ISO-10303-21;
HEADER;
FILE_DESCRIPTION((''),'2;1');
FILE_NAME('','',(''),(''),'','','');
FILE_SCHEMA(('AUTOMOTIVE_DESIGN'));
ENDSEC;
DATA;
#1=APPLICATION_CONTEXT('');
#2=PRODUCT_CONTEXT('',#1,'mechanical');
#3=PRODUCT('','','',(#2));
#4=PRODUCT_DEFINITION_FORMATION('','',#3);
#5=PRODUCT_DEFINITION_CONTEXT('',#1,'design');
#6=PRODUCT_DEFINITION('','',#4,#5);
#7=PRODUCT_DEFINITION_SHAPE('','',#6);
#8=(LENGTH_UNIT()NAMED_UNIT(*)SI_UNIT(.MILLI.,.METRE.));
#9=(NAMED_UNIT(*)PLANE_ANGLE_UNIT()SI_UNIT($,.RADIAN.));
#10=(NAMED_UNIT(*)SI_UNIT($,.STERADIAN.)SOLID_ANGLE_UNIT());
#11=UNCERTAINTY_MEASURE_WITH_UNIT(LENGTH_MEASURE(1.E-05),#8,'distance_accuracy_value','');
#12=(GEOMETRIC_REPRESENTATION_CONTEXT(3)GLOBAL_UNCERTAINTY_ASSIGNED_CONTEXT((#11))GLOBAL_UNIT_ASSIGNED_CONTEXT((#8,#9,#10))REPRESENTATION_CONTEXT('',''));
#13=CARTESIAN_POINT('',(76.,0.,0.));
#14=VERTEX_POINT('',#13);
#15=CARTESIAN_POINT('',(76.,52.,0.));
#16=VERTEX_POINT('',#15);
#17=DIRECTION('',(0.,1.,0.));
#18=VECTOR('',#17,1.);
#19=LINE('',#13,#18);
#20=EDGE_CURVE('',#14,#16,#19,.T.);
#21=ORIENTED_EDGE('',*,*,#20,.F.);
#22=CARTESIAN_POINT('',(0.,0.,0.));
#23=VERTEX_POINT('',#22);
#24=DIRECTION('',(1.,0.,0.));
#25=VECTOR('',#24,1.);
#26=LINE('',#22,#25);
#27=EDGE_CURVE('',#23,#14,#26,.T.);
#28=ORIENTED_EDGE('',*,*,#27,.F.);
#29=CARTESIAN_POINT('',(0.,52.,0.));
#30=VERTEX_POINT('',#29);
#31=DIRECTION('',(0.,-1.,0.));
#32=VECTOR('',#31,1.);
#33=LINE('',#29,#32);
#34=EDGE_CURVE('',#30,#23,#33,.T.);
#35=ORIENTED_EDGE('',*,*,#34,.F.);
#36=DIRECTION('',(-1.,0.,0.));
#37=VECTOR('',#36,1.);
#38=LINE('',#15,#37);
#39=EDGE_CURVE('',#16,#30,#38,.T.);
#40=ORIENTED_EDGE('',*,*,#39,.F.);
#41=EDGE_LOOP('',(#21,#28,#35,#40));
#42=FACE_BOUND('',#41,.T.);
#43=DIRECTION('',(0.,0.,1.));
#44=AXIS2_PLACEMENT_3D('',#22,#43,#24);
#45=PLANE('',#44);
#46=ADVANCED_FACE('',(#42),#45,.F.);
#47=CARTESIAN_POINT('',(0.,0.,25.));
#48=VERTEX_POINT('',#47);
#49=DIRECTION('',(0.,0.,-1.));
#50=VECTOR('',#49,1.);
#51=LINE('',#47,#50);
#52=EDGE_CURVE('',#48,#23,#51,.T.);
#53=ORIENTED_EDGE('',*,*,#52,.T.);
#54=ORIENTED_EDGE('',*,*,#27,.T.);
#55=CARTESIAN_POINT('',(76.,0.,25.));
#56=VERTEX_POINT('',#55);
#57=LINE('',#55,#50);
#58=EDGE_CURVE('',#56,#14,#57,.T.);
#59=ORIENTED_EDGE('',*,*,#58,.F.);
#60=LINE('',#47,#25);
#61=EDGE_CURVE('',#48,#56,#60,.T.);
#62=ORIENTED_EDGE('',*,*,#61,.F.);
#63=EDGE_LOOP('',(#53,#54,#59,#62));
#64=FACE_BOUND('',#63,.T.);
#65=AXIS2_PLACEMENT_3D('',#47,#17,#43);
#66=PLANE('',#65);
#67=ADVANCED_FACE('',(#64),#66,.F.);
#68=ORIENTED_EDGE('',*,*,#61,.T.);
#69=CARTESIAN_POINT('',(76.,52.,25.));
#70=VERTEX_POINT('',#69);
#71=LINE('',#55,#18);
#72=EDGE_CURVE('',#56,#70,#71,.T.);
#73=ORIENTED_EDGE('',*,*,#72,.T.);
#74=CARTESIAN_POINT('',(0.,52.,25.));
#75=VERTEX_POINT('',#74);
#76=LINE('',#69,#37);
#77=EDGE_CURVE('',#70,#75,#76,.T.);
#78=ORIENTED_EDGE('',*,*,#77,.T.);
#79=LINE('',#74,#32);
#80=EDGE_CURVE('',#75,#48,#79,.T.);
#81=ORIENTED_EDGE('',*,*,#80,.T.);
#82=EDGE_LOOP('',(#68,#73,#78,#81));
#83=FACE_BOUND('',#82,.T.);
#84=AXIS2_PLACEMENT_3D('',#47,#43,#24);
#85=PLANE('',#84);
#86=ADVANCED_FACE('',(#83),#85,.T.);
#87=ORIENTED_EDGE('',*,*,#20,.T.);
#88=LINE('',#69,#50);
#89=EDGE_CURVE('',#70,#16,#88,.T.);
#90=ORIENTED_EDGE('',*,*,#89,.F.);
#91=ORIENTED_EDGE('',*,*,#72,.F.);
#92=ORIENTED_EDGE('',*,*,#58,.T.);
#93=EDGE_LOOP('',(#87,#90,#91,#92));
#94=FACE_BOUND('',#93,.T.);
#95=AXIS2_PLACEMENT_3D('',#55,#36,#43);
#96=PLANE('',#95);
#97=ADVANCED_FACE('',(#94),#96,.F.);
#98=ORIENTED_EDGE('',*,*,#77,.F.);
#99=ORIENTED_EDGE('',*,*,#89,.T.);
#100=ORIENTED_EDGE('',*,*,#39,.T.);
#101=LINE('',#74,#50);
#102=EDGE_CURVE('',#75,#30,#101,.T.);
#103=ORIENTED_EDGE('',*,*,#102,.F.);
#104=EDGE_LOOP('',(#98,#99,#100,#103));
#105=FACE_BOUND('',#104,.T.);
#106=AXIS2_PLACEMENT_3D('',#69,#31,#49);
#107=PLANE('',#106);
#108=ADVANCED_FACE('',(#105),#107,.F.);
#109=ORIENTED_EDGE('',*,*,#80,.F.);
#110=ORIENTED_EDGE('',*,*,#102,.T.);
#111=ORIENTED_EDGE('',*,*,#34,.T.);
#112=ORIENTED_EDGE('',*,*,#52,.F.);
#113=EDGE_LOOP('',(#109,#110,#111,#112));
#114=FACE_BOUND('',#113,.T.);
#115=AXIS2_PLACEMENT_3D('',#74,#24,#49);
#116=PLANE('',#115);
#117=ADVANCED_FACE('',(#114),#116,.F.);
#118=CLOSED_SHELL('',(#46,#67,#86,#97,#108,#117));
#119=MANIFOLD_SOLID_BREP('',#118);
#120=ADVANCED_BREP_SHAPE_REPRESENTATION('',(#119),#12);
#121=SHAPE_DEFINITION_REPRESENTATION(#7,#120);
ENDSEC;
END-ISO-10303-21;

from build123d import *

# Parameters (mm, degrees)
SKETCH_1_W                         = 76
SKETCH_1_H                         = 52
FUSED_DISTRIBUTION_ENCLOSURE_DEPTH = 25


with BuildPart() as part:
    # 草图1 → Fused_distribution_enclosure (new body)
    with BuildSketch(Plane.XY):
        with Locations((38, 26)):
            Rectangle(SKETCH_1_W, SKETCH_1_H)
    extrude(amount=FUSED_DISTRIBUTION_ENCLOSURE_DEPTH)


solid = part.part
